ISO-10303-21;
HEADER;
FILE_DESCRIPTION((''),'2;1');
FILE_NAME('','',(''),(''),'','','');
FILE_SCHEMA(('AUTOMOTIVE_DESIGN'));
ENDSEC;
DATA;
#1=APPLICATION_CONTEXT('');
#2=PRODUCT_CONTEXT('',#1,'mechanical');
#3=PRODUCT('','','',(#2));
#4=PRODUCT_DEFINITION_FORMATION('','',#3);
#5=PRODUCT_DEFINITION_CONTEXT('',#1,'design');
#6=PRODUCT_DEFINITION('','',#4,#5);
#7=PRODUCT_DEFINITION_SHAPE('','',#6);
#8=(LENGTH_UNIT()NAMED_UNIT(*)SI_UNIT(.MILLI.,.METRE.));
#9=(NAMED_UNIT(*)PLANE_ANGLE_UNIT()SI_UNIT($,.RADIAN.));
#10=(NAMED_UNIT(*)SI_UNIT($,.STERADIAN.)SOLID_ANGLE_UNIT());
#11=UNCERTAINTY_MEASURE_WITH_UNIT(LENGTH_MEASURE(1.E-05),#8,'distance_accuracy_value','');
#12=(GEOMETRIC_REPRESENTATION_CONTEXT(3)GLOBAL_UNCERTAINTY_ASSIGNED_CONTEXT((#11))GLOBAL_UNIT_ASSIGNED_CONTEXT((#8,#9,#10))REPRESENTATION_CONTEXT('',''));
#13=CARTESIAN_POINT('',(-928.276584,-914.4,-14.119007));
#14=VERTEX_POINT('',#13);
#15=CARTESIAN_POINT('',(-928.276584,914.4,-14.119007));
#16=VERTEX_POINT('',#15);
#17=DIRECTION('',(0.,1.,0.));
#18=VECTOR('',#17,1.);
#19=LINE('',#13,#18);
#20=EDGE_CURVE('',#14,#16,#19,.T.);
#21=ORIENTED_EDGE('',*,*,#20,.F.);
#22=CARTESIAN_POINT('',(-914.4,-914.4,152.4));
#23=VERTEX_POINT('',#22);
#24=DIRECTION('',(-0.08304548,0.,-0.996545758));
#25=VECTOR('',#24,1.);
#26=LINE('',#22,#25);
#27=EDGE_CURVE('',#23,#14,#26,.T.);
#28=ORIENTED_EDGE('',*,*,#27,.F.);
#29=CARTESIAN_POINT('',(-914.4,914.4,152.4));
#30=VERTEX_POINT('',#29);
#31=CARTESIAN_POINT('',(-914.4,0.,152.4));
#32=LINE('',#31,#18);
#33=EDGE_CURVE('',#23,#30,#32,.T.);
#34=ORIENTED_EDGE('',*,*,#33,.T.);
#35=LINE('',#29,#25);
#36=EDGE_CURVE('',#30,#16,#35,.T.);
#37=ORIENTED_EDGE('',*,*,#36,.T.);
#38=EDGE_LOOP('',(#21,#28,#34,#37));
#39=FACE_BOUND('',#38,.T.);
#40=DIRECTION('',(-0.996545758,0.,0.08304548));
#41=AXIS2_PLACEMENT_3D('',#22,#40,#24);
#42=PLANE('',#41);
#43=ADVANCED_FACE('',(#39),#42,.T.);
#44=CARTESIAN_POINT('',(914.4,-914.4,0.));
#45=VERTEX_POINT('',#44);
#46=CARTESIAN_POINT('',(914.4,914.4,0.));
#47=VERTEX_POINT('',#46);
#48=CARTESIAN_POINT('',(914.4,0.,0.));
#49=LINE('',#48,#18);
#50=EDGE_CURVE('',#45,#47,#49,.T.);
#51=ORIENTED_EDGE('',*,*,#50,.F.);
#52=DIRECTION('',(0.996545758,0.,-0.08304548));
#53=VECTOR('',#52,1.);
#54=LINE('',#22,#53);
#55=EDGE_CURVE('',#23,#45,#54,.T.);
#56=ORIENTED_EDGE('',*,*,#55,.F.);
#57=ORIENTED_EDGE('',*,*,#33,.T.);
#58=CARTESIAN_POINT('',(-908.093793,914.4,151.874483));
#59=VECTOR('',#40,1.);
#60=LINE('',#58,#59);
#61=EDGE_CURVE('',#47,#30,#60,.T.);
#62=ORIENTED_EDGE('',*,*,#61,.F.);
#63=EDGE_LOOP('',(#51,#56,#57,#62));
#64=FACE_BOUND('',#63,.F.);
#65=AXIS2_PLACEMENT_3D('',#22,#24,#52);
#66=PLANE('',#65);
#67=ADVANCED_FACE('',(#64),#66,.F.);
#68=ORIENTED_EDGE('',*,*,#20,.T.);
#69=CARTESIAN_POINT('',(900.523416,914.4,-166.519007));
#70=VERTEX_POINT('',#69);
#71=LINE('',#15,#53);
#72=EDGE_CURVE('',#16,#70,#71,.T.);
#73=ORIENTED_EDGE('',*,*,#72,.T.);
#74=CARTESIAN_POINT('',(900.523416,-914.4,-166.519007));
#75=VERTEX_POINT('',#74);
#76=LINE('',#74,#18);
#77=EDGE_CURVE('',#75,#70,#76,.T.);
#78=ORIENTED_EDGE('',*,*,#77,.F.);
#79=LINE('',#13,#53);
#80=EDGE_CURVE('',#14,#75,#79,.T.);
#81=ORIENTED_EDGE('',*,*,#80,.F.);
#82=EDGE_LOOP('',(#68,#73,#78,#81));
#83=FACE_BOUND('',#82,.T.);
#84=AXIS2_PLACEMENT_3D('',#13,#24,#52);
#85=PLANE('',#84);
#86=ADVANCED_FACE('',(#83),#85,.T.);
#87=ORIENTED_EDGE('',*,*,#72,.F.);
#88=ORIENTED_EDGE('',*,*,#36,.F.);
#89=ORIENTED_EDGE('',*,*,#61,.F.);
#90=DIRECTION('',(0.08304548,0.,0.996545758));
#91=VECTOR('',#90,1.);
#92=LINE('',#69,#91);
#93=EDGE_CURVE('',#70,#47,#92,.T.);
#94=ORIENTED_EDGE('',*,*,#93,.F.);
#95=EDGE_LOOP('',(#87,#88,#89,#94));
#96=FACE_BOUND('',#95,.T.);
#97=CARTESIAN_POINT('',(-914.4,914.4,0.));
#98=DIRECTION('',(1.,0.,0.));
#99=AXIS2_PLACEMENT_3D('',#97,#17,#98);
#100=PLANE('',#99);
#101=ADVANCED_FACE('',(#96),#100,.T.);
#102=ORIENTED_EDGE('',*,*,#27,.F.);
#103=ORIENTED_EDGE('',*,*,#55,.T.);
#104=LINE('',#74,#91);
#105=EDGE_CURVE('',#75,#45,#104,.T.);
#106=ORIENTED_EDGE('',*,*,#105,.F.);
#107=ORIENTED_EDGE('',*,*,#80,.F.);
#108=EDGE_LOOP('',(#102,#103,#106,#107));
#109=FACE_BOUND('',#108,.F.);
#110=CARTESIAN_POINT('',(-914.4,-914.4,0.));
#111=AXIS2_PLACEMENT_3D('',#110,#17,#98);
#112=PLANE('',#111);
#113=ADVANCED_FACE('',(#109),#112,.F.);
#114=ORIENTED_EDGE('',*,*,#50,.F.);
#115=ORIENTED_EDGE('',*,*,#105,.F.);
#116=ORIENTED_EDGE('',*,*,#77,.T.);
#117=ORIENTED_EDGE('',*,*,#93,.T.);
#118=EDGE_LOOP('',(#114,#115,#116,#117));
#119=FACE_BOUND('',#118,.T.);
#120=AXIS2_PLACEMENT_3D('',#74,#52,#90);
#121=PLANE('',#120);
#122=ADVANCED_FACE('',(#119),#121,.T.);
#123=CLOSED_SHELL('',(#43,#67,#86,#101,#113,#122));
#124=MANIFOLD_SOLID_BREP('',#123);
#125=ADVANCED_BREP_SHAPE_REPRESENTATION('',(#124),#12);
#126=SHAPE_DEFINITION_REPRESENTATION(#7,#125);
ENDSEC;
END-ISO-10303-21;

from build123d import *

# Parameters (mm, degrees)
F0_W     = 1828.8
F0_H     = 1828.8
F1_DEPTH = 152.4
F3_DEPTH = 1828.801
F4_DEPTH = 1828.8


with BuildPart() as f1:
    # F0 (on Top) → F1 (new body)
    with BuildSketch(Plane.XY):
        Rectangle(F0_W, F0_H)
    extrude(amount=F1_DEPTH)

    # F2 (on face) → F3 (cut, through all)
    with BuildSketch(Plane.XZ.offset(914.4)):
        Polygon((914.4, 152.4), (-914.4, 152.4), (914.4, 0), align=None)
    extrude(amount=-F3_DEPTH, mode=Mode.SUBTRACT)

    # F2 (on face) → F4 (join, through all)
    with BuildSketch(Plane.XZ.offset(914.4)):
        Polygon((914.4, 0), (-914.4, 152.4), (-928.276584, -14.119007), (900.523416, -166.519007), align=None)
    extrude(amount=-F4_DEPTH)


solid = f1.part
